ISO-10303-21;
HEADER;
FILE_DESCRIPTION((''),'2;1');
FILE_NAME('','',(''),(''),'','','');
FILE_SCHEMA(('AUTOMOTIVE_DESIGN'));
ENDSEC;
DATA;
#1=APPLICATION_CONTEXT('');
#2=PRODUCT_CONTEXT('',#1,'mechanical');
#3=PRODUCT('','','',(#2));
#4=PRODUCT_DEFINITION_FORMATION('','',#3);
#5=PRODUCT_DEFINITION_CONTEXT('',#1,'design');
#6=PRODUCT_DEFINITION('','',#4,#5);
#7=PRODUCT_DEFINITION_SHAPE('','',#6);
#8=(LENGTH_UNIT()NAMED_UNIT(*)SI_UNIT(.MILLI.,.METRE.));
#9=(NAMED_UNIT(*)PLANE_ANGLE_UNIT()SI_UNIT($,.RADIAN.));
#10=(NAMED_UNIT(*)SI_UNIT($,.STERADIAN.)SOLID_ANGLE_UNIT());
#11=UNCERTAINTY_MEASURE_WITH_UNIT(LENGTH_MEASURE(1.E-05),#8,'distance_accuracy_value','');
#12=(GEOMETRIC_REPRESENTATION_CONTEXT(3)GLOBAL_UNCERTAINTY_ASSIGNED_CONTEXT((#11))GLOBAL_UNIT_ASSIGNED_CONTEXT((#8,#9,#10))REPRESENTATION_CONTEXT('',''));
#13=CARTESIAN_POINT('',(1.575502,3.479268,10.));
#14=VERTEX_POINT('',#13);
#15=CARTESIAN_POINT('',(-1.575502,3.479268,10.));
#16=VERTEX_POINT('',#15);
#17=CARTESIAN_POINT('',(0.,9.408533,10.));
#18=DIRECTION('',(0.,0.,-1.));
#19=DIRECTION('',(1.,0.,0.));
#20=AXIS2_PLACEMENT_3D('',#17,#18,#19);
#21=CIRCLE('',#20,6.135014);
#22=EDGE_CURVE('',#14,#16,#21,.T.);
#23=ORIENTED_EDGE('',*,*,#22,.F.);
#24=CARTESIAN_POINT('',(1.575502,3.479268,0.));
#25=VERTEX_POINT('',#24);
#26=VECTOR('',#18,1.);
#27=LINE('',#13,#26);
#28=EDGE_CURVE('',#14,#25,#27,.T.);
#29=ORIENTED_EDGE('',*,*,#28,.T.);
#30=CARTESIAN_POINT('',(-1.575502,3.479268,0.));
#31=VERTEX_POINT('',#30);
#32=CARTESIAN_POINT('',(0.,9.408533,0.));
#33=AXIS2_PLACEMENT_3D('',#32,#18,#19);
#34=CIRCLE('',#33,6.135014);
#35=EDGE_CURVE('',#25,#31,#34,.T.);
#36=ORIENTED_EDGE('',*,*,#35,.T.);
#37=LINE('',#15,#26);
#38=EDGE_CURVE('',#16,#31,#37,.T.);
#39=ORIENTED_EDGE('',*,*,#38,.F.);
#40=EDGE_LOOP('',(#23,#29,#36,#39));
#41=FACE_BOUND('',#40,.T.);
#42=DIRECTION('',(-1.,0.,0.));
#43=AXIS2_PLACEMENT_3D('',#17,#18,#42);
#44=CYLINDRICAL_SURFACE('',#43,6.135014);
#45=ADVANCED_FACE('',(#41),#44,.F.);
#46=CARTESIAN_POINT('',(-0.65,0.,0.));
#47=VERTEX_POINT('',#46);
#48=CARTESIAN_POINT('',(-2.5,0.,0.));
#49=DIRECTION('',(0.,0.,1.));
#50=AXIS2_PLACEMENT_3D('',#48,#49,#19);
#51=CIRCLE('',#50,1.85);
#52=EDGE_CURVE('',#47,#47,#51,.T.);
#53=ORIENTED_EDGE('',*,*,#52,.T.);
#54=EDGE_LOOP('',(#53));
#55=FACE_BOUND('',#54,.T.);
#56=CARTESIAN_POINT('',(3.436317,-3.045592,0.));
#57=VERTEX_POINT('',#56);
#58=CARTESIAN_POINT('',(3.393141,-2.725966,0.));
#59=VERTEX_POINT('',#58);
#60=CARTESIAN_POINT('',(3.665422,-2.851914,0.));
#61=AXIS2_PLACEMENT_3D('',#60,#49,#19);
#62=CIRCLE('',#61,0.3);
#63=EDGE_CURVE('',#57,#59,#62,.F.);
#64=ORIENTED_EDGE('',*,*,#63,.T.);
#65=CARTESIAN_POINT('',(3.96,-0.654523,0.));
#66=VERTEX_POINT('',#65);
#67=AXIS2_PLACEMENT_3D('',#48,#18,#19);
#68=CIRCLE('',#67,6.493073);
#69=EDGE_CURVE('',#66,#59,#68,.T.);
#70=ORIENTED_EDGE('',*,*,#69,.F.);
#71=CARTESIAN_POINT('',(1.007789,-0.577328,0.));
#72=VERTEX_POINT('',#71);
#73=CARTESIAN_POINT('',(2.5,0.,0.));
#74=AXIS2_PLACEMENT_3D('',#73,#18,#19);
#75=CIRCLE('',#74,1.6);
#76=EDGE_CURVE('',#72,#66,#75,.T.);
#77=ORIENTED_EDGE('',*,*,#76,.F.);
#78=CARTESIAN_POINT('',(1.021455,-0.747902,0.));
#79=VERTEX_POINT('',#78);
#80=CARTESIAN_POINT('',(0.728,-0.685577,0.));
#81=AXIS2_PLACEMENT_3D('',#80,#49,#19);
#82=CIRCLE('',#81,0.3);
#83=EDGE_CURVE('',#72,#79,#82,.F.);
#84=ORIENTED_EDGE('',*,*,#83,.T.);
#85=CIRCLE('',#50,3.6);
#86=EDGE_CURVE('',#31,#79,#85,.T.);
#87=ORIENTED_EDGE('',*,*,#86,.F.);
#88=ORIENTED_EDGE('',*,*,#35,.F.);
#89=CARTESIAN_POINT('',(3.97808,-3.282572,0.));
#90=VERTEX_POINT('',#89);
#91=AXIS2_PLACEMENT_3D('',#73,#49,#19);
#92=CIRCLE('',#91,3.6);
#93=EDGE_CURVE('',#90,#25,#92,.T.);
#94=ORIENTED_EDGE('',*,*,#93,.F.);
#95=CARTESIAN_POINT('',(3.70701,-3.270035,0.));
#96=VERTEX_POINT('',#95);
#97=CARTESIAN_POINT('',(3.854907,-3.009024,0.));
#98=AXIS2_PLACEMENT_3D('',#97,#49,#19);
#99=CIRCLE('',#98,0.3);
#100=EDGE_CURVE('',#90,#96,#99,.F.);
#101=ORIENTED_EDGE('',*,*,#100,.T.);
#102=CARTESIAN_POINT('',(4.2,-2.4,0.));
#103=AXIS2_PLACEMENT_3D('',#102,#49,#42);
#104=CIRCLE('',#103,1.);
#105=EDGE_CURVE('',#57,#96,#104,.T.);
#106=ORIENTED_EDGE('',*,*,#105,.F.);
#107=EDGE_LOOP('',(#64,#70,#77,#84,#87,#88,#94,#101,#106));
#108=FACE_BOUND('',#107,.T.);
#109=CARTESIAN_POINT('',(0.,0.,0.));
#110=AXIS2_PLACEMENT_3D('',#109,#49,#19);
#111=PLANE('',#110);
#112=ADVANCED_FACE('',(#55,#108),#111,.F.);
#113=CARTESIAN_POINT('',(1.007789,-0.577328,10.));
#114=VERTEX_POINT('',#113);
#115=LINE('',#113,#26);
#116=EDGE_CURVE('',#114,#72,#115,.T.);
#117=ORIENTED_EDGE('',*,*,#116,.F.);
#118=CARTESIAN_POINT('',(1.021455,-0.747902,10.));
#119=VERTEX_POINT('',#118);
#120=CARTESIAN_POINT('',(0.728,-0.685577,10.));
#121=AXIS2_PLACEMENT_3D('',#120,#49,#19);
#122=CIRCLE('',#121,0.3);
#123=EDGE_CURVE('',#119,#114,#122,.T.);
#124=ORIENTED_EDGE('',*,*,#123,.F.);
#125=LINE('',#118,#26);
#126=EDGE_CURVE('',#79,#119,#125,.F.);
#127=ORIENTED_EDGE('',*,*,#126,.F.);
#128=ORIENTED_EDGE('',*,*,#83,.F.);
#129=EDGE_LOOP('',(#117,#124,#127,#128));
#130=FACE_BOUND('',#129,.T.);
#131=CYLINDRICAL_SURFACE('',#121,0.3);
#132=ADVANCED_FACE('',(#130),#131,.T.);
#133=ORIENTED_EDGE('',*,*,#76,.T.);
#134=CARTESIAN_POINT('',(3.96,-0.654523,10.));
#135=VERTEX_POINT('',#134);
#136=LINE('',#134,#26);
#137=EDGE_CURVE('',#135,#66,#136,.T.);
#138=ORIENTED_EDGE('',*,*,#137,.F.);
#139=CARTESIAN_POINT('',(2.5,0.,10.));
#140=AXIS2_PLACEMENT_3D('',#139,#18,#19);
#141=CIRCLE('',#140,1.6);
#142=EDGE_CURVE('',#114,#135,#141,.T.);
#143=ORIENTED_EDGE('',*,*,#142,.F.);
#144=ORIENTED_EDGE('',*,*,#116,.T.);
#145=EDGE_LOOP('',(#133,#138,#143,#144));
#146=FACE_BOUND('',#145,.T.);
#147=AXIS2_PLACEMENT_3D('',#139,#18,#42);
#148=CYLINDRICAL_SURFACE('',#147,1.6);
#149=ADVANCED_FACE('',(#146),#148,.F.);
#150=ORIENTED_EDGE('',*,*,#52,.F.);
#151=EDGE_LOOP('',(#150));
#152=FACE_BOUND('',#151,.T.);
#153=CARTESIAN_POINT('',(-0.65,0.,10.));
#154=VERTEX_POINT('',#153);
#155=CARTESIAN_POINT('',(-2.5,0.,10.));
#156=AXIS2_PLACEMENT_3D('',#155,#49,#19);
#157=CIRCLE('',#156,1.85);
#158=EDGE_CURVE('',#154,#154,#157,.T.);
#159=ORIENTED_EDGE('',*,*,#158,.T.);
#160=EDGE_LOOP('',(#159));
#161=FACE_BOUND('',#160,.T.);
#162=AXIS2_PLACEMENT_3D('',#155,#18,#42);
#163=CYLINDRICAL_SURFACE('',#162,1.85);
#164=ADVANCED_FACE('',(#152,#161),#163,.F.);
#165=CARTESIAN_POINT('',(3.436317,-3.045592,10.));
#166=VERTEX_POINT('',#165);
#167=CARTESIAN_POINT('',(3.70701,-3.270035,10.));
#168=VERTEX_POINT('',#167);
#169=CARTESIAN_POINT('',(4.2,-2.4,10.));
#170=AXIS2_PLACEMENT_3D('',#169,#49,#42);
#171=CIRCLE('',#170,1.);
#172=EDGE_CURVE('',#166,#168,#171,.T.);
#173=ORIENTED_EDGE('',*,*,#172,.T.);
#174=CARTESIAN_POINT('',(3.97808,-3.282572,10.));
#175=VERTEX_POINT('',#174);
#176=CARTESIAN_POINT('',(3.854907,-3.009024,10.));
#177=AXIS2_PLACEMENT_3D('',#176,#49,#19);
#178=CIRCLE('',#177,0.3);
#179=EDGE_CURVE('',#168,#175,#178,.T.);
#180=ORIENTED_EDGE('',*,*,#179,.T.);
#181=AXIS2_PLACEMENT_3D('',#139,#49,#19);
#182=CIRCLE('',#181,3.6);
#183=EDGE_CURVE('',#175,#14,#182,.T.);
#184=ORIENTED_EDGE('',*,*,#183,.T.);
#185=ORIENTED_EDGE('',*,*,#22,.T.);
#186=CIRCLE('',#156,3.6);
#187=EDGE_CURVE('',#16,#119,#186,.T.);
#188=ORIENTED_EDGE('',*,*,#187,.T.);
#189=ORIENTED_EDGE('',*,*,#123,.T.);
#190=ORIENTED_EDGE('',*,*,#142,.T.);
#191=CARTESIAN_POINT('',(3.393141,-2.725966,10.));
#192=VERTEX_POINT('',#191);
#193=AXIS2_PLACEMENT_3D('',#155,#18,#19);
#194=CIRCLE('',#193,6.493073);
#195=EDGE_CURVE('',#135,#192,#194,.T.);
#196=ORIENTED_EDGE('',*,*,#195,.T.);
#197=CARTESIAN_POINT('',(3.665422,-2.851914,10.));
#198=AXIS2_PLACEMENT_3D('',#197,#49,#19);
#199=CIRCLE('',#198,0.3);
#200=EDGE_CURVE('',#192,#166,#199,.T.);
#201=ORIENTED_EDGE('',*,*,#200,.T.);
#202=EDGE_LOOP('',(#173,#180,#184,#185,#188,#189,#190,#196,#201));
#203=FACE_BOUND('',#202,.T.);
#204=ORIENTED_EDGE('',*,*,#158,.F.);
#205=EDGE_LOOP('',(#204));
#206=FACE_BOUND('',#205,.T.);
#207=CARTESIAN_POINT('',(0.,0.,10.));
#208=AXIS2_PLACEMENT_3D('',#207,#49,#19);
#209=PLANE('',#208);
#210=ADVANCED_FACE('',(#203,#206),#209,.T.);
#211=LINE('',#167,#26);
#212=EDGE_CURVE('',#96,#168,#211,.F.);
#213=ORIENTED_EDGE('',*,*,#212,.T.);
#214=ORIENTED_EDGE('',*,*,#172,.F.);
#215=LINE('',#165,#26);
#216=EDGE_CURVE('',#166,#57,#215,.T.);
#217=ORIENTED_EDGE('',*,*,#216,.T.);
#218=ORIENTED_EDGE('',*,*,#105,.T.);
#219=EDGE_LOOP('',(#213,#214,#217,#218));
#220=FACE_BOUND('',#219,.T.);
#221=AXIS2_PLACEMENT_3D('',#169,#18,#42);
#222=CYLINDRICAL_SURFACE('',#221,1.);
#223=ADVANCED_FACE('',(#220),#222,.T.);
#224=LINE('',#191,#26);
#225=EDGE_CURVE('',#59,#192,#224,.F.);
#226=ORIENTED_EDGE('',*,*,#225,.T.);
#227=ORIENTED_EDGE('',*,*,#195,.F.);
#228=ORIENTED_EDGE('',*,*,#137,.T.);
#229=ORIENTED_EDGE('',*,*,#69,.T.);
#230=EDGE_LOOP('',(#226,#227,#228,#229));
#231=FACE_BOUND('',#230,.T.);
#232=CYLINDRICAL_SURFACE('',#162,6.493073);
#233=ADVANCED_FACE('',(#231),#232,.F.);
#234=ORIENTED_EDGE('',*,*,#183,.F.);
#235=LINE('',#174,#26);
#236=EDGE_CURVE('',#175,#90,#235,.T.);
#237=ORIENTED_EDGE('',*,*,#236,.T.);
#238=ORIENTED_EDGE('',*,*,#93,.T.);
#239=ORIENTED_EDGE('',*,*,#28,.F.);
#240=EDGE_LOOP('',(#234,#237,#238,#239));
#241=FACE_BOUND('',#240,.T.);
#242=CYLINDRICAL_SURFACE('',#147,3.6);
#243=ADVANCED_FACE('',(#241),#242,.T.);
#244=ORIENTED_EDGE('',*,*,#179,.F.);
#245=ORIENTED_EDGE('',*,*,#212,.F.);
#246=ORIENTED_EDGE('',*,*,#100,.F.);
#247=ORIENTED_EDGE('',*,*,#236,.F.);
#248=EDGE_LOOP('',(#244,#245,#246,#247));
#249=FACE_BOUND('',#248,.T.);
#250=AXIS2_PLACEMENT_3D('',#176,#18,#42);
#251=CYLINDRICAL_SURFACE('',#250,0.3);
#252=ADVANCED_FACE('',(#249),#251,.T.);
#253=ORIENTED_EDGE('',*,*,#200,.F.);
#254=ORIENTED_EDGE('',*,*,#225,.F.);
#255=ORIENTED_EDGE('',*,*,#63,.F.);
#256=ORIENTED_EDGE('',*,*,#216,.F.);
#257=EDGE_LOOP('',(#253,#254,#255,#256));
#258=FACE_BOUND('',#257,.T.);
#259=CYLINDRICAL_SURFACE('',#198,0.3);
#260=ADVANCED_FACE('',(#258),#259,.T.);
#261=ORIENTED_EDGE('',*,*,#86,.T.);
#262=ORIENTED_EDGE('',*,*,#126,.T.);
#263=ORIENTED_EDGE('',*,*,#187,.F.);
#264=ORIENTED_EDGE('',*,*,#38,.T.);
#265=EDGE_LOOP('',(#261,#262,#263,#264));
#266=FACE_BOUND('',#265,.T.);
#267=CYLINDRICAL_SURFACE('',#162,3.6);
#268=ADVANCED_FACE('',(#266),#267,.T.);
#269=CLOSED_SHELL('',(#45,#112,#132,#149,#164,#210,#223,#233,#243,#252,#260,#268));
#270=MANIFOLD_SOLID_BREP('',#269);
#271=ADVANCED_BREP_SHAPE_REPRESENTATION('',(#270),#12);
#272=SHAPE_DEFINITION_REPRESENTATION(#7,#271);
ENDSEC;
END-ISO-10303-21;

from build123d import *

# Parameters (mm, degrees)
SKETCH1_R           = 1.85
BOSS_EXTRUDE2_DEPTH = 10
FILLET2_R           = 0.3


with BuildPart() as part:
    # Sketch1 → Boss-Extrude2 (new body)
    with BuildSketch(Plane.XY):
        with BuildLine():
            ThreePointArc((1.575502084, 3.479267682), (0, 3.273519226), (-1.575502084, 3.479267682))
            ThreePointArc((-1.575502084, 3.479267682), (-5.542201702, -1.924839942), (1.04, -0.654522727))
            ThreePointArc((1.04, -0.654522727), (2.5, 1.6), (3.96, -0.654522727))
            ThreePointArc((3.96, -0.654522727), (3.740219574, -1.794341014), (3.320993506, -2.876809797))
            ThreePointArc((3.320993506, -2.876809797), (3.544154136, -3.154894829), (3.850693731, -3.337008607))
            ThreePointArc((3.850693731, -3.337008607), (5.914793747, 1.139817384), (1.575502084, 3.479267682))
        make_face()
        with Locations((-2.5, 0)):
            Circle(SKETCH1_R, mode=Mode.SUBTRACT)
    extrude(amount=BOSS_EXTRUDE2_DEPTH)

    # Fillet2
    fillet2_edges = [part.edges().sort_by_distance(p)[0] for p in [
        (1.04, -0.654522727, 5),
        (3.850693731, -3.337008607, 5),
        (3.320993506, -2.876809797, 5),
    ]]
    fillet(fillet2_edges, radius=FILLET2_R)


solid = part.part
